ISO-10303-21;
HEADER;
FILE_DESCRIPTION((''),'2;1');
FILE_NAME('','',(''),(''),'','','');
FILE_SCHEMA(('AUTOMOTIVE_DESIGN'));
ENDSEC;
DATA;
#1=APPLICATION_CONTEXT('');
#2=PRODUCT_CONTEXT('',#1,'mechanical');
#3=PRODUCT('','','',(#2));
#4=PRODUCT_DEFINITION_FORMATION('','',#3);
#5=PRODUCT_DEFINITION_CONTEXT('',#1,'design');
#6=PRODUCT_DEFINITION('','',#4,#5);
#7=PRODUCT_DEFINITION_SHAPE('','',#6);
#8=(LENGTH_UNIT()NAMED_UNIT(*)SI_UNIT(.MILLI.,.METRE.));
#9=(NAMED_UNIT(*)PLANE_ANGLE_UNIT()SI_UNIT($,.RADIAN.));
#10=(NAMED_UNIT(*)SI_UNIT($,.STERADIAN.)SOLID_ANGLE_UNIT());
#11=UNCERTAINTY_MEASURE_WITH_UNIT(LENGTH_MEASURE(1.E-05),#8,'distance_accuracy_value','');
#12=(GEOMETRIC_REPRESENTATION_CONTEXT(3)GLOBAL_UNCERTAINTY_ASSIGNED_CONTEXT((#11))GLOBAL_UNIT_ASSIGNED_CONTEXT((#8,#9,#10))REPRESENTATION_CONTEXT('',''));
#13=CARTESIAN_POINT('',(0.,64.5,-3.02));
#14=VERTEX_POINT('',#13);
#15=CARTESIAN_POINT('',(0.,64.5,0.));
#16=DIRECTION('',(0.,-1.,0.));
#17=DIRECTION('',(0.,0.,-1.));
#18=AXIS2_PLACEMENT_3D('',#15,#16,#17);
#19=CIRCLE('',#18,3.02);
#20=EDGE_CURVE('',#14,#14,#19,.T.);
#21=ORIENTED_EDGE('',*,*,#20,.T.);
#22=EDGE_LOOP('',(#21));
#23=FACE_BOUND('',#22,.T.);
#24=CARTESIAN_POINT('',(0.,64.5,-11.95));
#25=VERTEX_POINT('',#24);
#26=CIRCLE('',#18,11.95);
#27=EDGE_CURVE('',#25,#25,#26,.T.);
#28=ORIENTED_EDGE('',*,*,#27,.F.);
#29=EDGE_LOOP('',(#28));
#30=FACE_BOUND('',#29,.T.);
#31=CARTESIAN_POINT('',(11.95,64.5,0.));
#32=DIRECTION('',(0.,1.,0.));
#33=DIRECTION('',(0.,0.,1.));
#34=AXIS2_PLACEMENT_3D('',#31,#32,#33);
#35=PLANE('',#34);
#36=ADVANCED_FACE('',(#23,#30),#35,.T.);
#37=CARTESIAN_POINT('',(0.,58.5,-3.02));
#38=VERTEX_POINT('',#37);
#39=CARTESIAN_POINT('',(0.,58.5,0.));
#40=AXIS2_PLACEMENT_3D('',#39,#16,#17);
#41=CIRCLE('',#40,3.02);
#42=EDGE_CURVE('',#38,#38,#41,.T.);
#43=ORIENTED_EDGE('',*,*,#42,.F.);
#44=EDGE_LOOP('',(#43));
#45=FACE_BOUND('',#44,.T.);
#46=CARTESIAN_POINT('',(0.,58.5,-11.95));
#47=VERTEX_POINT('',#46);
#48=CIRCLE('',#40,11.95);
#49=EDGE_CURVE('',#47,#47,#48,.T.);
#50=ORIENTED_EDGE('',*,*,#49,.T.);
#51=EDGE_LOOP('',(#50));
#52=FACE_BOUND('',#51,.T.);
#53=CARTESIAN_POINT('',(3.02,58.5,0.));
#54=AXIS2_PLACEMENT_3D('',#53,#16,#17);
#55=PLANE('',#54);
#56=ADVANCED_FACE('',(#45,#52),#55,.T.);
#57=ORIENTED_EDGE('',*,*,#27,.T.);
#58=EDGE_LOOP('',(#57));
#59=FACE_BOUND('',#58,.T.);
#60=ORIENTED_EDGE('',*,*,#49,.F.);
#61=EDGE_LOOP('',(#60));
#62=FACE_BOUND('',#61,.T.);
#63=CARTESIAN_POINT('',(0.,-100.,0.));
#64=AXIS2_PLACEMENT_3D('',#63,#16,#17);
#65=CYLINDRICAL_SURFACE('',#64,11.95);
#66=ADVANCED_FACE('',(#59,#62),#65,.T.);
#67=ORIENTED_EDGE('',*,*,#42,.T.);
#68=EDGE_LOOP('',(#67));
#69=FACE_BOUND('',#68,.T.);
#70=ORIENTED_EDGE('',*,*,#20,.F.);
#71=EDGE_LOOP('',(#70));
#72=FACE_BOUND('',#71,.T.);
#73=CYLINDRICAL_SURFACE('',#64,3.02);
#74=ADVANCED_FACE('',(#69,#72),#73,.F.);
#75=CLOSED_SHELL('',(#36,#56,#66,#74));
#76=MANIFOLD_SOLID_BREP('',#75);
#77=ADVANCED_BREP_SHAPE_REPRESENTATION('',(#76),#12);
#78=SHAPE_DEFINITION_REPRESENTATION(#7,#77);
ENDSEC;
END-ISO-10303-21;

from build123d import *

# Parameters (mm, degrees)
GEAR_SKETCH_W = 8.93
GEAR_SKETCH_H = 6


with BuildPart() as part:
    # Gear Sketch → Gear (revolve)
    with BuildSketch(Plane.XY):
        with Locations((7.485, 61.5)):
            Rectangle(GEAR_SKETCH_W, GEAR_SKETCH_H)
    revolve(axis=Axis((0, -100, 0), (0, 1, 0)))


solid = part.part
